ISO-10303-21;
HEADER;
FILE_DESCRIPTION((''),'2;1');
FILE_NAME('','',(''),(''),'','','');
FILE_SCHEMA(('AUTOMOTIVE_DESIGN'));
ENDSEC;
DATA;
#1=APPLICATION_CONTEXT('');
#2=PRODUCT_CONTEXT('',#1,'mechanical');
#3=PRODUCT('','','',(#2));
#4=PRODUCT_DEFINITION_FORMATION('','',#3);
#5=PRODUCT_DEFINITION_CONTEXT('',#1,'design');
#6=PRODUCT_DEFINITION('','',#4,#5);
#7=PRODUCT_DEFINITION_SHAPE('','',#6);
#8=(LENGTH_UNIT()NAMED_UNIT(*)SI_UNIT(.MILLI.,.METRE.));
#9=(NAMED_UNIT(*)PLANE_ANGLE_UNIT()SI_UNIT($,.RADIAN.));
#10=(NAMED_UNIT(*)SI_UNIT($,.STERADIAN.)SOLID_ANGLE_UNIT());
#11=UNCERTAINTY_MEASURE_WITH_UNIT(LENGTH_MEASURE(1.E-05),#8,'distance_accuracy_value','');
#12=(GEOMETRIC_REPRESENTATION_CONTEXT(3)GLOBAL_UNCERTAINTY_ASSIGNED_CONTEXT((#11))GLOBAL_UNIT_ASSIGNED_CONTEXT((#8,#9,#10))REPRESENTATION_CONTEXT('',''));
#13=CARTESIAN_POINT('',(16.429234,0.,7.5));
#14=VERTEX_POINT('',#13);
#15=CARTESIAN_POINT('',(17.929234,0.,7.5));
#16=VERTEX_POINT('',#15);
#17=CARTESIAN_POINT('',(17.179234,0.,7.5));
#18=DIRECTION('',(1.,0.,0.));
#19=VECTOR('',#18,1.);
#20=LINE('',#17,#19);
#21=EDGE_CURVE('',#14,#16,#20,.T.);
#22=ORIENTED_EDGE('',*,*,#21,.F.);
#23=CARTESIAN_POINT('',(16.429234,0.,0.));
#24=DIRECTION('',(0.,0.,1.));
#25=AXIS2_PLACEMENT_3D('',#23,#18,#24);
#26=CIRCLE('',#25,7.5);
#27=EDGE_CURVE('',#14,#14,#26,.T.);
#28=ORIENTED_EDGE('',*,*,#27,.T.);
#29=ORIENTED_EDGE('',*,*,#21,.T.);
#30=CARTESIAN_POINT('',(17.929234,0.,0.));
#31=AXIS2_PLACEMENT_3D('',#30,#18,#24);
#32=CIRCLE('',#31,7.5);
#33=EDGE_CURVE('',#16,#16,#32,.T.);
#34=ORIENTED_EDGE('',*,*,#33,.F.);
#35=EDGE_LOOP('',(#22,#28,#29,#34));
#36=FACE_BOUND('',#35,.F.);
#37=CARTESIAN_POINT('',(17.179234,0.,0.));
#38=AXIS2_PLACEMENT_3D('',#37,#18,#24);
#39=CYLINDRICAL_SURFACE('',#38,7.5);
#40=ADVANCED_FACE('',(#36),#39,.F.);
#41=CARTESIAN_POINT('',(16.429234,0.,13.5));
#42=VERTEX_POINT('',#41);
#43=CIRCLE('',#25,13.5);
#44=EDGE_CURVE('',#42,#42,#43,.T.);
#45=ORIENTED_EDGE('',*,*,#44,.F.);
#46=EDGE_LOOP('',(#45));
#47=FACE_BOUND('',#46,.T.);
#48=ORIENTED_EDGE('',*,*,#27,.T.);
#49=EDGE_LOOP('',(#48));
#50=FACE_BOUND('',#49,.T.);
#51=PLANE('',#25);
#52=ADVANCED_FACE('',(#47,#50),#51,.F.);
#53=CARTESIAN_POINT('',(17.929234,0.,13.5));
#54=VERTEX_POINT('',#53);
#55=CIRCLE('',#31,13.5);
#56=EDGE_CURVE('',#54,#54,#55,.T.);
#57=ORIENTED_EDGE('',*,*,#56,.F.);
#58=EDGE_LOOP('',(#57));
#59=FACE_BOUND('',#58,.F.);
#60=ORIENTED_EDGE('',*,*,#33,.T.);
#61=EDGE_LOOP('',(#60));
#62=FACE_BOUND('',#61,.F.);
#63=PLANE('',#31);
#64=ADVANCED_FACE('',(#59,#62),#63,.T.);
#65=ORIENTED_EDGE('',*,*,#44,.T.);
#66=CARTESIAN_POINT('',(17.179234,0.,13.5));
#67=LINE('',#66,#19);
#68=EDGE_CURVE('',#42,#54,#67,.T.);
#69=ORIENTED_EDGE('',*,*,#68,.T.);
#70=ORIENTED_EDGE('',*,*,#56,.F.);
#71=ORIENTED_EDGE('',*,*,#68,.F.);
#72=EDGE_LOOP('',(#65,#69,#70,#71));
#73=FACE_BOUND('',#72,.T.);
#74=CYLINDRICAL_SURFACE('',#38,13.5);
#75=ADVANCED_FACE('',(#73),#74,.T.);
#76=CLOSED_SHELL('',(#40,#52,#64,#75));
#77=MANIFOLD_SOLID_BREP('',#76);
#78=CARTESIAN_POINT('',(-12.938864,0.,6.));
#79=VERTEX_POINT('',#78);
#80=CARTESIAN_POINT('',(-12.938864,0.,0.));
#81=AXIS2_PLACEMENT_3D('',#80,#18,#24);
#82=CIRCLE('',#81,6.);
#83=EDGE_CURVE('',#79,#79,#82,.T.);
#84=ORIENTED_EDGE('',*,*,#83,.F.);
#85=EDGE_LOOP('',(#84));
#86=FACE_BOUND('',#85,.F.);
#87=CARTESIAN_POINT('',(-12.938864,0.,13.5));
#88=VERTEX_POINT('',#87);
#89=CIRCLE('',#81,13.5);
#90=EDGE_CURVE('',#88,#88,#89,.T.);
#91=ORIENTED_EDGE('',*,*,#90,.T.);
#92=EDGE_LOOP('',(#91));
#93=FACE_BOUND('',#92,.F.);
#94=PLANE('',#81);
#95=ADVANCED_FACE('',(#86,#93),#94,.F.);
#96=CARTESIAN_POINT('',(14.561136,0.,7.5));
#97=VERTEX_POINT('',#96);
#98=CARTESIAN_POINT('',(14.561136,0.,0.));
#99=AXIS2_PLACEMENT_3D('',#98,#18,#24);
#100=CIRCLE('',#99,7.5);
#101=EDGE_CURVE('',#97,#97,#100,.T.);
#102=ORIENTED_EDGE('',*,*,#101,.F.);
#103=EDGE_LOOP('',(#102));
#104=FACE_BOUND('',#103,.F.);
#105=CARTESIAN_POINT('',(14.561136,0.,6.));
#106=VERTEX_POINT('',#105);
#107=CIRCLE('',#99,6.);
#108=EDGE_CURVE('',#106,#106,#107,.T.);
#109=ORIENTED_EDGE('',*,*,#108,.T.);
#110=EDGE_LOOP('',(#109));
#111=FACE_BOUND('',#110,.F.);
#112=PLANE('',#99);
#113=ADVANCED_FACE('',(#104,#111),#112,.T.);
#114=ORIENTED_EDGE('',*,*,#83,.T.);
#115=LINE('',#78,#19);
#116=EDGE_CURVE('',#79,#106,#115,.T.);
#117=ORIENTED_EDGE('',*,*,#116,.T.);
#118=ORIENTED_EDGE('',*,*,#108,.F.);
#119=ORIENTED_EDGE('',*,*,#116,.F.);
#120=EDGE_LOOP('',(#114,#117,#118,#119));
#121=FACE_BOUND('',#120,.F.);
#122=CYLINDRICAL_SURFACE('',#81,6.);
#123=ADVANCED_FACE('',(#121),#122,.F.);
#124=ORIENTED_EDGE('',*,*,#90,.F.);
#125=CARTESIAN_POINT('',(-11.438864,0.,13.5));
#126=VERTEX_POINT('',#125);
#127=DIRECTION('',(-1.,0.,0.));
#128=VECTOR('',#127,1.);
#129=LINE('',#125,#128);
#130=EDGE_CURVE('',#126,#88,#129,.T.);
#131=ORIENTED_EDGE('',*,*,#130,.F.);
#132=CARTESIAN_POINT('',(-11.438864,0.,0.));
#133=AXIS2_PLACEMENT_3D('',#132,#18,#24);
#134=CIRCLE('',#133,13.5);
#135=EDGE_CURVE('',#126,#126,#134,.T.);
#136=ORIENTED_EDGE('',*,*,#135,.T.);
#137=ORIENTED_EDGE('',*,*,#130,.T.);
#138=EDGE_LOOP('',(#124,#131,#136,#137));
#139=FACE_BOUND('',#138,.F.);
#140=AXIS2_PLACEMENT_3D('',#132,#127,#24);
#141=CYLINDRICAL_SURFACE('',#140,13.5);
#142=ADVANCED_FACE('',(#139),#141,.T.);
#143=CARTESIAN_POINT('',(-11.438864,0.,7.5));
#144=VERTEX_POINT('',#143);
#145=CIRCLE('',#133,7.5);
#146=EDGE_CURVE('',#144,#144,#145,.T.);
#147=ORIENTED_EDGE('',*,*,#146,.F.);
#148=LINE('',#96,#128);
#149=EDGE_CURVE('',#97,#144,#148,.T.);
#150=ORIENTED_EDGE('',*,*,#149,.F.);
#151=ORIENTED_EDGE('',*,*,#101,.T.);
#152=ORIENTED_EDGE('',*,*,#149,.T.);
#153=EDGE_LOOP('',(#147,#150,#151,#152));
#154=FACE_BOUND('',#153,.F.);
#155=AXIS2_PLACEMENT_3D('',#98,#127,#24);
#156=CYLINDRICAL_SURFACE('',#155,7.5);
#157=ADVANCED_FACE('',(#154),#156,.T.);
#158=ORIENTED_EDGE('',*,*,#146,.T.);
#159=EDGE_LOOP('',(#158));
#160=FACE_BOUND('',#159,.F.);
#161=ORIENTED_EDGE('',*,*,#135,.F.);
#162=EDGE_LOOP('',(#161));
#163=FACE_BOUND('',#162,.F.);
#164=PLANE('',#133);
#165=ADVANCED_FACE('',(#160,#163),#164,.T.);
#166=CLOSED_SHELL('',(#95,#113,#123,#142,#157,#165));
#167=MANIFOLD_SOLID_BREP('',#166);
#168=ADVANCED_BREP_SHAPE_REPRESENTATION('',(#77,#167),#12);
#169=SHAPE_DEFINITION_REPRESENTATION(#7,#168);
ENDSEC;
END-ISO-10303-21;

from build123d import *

# Parameters (mm, degrees)
F0_W = 1.5
F0_H = 6


with BuildPart() as f1:
    # F0 (on Front) → F1 (revolve)
    with BuildSketch(Plane.XZ):
        Polygon((-12.938864, 6), (14.561136, 6), (14.561136, 7.5), (-11.438864, 7.5), (-11.438864, 13.5), (-12.938864, 13.5), align=None)
        with Locations((17.179234, 10.5)):
            Rectangle(F0_W, F0_H)
    revolve(axis=Axis((-1.378866, 0, 0), (1, 0, 0)))


solid = f1.part
